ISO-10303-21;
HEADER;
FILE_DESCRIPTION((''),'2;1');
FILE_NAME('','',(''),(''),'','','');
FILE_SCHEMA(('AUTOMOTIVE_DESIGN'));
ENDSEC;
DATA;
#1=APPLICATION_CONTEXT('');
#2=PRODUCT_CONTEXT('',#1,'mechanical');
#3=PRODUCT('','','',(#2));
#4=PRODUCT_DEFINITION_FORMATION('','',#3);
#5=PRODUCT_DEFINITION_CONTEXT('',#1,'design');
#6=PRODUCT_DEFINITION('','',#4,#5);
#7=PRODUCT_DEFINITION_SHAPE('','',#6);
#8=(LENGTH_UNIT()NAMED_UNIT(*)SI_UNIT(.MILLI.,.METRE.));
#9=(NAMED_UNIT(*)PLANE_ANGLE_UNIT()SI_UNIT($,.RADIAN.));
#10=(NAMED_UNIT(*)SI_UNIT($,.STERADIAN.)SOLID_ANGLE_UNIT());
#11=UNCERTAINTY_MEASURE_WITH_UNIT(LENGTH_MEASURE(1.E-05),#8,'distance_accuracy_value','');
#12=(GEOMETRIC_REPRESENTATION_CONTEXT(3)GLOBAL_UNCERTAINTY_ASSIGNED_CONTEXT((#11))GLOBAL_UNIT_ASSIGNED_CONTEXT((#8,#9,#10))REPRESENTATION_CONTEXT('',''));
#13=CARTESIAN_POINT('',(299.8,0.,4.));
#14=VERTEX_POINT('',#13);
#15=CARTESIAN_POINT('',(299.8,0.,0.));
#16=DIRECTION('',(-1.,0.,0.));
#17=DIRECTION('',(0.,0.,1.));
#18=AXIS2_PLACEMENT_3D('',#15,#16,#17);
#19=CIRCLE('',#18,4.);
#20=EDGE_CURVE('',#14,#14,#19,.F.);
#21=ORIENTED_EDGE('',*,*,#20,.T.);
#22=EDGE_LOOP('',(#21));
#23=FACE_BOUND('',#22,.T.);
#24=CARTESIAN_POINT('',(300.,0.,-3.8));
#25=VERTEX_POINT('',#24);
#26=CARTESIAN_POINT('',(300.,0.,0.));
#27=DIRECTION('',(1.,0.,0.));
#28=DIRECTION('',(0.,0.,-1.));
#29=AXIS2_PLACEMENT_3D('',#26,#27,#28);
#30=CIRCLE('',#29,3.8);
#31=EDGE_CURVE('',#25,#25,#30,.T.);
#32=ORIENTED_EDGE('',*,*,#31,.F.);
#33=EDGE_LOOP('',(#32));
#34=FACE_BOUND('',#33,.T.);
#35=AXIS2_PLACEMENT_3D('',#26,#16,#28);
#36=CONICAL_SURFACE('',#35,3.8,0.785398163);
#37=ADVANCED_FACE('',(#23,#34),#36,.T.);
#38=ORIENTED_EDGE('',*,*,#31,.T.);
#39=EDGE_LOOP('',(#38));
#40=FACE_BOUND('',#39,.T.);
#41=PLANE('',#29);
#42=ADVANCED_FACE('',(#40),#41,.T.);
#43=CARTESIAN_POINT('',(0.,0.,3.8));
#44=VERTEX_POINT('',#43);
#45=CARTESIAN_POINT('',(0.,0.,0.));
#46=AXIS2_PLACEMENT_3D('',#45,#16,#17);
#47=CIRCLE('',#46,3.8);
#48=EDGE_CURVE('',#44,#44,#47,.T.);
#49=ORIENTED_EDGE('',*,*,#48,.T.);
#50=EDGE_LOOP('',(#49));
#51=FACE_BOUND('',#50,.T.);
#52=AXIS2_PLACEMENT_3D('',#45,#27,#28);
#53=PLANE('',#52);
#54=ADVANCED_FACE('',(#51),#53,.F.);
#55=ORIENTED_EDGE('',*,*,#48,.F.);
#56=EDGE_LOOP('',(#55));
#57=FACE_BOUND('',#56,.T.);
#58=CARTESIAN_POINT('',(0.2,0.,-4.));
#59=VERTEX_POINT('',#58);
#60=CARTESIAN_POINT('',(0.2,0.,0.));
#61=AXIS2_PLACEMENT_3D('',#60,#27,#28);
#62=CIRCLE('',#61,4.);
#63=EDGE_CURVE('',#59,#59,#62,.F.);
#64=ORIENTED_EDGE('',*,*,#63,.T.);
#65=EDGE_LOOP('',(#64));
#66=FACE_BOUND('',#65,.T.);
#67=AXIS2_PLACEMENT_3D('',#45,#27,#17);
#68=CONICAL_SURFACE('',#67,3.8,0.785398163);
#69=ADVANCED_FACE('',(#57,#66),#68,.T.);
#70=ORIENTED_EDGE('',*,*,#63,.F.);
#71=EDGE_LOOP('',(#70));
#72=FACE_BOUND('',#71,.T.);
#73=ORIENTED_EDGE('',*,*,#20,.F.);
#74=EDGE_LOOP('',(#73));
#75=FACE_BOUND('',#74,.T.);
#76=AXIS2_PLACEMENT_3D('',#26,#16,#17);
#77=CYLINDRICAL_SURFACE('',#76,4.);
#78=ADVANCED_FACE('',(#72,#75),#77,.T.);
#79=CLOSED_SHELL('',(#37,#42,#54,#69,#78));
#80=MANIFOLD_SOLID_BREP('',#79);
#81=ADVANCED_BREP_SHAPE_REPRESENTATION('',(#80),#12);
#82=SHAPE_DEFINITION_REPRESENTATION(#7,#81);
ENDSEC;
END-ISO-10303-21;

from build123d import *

# Parameters (mm, degrees)
SKETCH1_R           = 4
BOSS_EXTRUDE1_DEPTH = 300
SKETCH5_OUTSIDE_W   = 672.15
SKETCH5_OUTSIDE_H   = 672.15
SKETCH5_OUTSIDE_R   = 3.8
CUT_EXTRUDE2_DEPTH  = 301.053328593
CUT_EXTRUDE2_DRAFT  = -45
SKETCH6_OUTSIDE_W   = 672.15
SKETCH6_OUTSIDE_H   = 672.15
SKETCH6_OUTSIDE_R   = 3.8
CUT_EXTRUDE3_DEPTH  = 301.053328593
CUT_EXTRUDE3_DRAFT  = -45


with BuildPart() as part:
    # Sketch1 → Boss-Extrude1 (new body)
    with BuildSketch(Plane(origin=(0, 0, 0), x_dir=(0, 0, -1), z_dir=(1, 0, 0))):
        Circle(SKETCH1_R)
    extrude(amount=BOSS_EXTRUDE1_DEPTH)


with BuildPart() as cut_extrude2_tool:
    # Sketch5 outside → Cut-Extrude2 (with draft: the straight prism first)
    with BuildSketch(Plane.ZY):
        Rectangle(SKETCH5_OUTSIDE_W, SKETCH5_OUTSIDE_H)
        Circle(SKETCH5_OUTSIDE_R, mode=Mode.SUBTRACT)
    extrude(amount=-CUT_EXTRUDE2_DEPTH)
    # Cut-Extrude2: the draft: its side faces are tilted about the plane it starts from
    cut_extrude2_sides = [cut_extrude2_tool.faces().sort_by_distance(p)[0] for p in [
        (150.526664297, -336.075, 0),
        (150.526664297, 0, 336.075),
        (150.526664297, 336.075, 0),
        (150.526664297, 0, -336.075),
        (150.526664297, 0, -3.8),
    ]]
    draft(cut_extrude2_sides, Plane.ZY, CUT_EXTRUDE2_DRAFT)


with BuildPart() as part_1:
    add(part.part)

    # Cut-Extrude2: cut by cut_extrude2_tool
    add(cut_extrude2_tool.part, mode=Mode.SUBTRACT)


with BuildPart() as cut_extrude3_tool:
    # Sketch6 outside → Cut-Extrude3 (with draft: the straight prism first)
    with BuildSketch(Plane(origin=(300, 0, 0), x_dir=(0, 0, -1), z_dir=(1, 0, 0))):
        Rectangle(SKETCH6_OUTSIDE_W, SKETCH6_OUTSIDE_H)
        Circle(SKETCH6_OUTSIDE_R, mode=Mode.SUBTRACT)
    extrude(amount=-CUT_EXTRUDE3_DEPTH)
    # Cut-Extrude3: the draft: its side faces are tilted about the plane it starts from
    cut_extrude3_sides = [cut_extrude3_tool.faces().sort_by_distance(p)[0] for p in [
        (149.473335703, -336.075, 0),
        (149.473335703, 0, -336.075),
        (149.473335703, 336.075, 0),
        (149.473335703, 0, 336.075),
        (149.473335703, 0, 3.8),
    ]]
    draft(cut_extrude3_sides, Plane(origin=(300, 0, 0), x_dir=(0, 0, -1), z_dir=(1, 0, 0)), CUT_EXTRUDE3_DRAFT)


with BuildPart() as part_2:
    add(part_1.part)

    # Cut-Extrude3: cut by cut_extrude3_tool
    add(cut_extrude3_tool.part, mode=Mode.SUBTRACT)


solid = part_2.part
